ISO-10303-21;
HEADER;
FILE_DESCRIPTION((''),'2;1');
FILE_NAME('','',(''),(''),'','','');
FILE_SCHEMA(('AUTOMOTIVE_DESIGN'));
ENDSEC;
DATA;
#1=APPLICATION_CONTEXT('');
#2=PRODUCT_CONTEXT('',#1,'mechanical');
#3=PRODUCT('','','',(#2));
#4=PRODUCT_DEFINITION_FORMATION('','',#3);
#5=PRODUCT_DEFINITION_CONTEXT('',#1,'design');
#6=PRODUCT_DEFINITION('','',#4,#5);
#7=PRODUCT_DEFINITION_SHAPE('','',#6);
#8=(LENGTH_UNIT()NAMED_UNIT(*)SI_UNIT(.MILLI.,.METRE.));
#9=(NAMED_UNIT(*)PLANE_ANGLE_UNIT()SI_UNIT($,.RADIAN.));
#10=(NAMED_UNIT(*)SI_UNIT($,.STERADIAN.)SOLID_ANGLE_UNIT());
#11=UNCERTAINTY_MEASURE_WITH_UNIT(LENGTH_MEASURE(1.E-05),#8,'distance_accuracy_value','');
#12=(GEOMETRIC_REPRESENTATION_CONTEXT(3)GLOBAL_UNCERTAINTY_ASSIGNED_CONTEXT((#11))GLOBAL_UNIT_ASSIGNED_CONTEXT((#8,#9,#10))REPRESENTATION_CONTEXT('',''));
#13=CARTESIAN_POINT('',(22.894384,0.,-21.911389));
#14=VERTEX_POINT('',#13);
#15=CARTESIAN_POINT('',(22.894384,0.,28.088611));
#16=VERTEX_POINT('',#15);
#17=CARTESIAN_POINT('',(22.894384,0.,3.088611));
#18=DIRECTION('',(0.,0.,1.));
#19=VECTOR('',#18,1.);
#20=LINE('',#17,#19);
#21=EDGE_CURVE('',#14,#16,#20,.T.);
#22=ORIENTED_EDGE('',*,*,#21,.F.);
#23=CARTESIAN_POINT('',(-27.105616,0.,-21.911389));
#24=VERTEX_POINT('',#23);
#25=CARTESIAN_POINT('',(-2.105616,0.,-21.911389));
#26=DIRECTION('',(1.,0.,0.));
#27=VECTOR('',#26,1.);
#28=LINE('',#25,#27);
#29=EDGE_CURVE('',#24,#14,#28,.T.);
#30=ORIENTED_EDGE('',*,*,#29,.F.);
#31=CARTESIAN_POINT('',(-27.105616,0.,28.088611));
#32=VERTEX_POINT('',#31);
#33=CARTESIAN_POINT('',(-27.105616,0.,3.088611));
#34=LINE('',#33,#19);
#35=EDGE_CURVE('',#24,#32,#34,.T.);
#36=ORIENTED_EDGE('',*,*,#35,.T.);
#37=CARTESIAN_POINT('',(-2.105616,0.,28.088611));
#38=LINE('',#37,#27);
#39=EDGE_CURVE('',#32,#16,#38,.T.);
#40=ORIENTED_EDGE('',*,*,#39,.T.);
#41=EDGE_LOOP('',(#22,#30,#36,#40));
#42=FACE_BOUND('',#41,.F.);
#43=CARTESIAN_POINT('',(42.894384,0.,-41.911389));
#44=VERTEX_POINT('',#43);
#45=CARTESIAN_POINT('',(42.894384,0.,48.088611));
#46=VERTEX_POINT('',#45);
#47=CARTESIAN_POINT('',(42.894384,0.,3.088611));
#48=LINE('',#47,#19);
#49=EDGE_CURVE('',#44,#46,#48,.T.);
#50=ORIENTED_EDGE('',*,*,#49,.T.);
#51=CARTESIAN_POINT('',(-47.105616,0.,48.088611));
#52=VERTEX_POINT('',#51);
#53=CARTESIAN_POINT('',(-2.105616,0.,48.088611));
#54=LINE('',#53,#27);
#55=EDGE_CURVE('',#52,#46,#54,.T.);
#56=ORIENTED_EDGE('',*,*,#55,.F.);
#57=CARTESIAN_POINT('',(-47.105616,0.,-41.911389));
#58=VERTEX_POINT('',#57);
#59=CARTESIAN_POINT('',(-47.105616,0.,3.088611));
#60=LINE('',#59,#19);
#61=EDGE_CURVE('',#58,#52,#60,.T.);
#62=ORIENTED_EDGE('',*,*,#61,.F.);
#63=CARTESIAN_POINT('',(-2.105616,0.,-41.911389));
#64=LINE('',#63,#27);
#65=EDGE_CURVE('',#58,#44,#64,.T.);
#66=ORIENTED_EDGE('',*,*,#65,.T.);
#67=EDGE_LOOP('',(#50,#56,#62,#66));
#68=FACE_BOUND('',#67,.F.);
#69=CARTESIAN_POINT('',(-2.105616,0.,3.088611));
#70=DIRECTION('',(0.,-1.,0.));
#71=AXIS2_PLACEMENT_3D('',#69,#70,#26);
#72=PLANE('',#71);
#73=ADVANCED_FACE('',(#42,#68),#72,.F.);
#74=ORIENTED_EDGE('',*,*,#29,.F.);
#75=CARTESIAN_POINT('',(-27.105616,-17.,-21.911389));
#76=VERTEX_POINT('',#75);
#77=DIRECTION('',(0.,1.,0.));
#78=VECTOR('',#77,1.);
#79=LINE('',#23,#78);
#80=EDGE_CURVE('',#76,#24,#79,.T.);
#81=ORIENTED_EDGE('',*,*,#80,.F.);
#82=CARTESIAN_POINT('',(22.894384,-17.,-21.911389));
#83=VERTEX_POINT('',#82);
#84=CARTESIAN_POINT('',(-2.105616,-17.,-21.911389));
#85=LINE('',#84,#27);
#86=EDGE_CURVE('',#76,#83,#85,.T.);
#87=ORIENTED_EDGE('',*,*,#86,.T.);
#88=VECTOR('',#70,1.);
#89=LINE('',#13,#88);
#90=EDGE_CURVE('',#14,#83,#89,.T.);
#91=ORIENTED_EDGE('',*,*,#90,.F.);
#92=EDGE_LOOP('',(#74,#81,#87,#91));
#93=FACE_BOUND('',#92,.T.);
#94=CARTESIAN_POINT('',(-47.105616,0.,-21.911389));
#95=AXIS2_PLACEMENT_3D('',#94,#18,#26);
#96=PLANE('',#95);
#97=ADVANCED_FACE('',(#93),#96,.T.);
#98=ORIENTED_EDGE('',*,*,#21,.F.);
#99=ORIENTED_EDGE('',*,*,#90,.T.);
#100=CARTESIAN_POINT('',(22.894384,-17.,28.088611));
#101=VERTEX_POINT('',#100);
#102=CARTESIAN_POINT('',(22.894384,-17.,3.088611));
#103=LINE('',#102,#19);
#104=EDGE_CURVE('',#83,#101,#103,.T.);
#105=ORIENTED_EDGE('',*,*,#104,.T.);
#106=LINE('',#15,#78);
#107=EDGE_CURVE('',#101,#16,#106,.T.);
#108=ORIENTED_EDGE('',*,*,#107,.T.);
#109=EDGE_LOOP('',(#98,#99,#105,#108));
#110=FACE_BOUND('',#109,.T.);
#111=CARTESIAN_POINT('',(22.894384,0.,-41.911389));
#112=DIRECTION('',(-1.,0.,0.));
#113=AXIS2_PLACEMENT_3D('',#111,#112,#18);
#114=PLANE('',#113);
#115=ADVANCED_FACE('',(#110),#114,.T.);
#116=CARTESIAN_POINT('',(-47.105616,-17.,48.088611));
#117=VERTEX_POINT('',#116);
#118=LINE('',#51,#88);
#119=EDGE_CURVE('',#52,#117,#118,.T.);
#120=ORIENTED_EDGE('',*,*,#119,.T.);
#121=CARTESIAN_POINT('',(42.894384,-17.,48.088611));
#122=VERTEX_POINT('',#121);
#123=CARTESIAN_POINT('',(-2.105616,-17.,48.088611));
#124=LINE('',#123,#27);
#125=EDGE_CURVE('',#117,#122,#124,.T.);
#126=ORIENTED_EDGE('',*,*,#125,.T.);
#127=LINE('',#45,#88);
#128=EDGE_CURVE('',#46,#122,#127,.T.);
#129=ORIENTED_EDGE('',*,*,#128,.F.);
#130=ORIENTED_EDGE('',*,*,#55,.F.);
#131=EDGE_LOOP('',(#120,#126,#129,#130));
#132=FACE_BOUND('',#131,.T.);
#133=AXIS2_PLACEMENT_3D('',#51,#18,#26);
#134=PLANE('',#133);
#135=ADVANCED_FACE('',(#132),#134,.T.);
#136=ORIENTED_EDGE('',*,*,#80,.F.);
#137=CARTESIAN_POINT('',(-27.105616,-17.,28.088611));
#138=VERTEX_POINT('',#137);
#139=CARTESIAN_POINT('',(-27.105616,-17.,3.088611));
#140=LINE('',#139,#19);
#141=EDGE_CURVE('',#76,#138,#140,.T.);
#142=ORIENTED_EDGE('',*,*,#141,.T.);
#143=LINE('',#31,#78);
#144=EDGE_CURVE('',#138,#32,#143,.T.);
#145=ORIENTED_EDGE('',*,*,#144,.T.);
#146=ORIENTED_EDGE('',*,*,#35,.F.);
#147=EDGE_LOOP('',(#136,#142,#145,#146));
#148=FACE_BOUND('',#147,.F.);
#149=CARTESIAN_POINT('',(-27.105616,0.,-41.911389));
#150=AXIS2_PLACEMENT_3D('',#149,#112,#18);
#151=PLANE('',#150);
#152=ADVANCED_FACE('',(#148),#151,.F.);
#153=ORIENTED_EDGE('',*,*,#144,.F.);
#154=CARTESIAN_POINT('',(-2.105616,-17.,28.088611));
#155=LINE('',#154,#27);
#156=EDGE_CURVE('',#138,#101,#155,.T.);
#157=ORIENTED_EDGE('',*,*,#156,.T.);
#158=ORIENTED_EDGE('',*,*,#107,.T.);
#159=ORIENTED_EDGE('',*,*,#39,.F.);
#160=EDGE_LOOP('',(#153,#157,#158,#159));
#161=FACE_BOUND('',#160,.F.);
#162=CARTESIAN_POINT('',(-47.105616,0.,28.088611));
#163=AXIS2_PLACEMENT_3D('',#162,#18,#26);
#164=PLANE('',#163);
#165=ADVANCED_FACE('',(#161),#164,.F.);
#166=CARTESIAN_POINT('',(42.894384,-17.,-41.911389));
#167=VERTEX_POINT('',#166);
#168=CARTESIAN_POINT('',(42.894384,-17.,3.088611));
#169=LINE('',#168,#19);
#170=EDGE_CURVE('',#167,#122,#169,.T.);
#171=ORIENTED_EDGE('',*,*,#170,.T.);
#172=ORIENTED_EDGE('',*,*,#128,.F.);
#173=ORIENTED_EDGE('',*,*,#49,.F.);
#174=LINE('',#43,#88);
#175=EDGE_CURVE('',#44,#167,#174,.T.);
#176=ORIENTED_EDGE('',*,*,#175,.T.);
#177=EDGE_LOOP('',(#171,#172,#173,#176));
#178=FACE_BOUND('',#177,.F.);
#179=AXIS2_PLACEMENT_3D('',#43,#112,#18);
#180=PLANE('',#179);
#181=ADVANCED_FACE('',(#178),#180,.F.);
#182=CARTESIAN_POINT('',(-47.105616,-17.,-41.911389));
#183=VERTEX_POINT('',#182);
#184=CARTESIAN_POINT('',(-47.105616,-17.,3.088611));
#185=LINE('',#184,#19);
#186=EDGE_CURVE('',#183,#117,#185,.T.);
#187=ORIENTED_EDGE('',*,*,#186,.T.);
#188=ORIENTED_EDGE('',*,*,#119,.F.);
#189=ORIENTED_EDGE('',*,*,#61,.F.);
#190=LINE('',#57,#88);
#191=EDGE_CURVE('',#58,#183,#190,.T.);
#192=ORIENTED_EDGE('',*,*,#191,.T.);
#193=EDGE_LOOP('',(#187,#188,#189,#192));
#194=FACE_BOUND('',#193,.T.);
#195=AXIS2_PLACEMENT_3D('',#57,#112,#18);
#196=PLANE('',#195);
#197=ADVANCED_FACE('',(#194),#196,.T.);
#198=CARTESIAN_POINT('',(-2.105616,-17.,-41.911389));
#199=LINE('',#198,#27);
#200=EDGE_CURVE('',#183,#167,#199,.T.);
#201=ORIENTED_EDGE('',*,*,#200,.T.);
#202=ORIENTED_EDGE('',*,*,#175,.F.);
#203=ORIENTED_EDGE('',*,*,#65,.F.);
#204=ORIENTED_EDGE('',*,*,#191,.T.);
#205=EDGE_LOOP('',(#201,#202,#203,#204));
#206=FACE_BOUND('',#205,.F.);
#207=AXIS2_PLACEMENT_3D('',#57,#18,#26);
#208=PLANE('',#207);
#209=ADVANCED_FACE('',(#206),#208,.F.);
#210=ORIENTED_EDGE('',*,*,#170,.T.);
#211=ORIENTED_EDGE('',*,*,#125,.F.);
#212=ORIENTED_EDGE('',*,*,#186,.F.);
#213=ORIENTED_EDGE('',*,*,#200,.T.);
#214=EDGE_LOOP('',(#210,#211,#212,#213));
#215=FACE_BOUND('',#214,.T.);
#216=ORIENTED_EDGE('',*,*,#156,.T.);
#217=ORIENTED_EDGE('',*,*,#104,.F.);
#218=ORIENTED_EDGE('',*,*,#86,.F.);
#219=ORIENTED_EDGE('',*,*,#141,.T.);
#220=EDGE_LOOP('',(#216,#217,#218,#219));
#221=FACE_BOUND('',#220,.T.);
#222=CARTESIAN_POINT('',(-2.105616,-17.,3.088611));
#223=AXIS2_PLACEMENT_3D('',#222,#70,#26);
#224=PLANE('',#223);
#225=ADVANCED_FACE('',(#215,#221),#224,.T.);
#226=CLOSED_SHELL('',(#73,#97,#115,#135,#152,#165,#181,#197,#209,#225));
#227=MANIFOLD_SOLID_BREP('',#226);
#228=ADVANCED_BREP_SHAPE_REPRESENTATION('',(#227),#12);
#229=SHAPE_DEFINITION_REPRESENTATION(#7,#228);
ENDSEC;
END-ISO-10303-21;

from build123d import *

# Parameters (mm, degrees)
F0_W     = 90
F0_H     = 90
F1_DEPTH = 17
F2_T     = -20


with BuildPart() as f1:
    # F0 (on Front) → F1 (new body)
    with BuildSketch(Plane.XZ):
        with Locations((-2.105616, 3.088611)):
            Rectangle(F0_W, F0_H)
    extrude(amount=F1_DEPTH)

    # F2
    f2_openings = [f1.faces().sort_by_distance(p)[0] for p in [
        (-2.105616, 0, 3.088611),
        (-2.105616, -17, 3.088611),
    ]]
    offset(amount=F2_T, openings=f2_openings)


solid = f1.part
